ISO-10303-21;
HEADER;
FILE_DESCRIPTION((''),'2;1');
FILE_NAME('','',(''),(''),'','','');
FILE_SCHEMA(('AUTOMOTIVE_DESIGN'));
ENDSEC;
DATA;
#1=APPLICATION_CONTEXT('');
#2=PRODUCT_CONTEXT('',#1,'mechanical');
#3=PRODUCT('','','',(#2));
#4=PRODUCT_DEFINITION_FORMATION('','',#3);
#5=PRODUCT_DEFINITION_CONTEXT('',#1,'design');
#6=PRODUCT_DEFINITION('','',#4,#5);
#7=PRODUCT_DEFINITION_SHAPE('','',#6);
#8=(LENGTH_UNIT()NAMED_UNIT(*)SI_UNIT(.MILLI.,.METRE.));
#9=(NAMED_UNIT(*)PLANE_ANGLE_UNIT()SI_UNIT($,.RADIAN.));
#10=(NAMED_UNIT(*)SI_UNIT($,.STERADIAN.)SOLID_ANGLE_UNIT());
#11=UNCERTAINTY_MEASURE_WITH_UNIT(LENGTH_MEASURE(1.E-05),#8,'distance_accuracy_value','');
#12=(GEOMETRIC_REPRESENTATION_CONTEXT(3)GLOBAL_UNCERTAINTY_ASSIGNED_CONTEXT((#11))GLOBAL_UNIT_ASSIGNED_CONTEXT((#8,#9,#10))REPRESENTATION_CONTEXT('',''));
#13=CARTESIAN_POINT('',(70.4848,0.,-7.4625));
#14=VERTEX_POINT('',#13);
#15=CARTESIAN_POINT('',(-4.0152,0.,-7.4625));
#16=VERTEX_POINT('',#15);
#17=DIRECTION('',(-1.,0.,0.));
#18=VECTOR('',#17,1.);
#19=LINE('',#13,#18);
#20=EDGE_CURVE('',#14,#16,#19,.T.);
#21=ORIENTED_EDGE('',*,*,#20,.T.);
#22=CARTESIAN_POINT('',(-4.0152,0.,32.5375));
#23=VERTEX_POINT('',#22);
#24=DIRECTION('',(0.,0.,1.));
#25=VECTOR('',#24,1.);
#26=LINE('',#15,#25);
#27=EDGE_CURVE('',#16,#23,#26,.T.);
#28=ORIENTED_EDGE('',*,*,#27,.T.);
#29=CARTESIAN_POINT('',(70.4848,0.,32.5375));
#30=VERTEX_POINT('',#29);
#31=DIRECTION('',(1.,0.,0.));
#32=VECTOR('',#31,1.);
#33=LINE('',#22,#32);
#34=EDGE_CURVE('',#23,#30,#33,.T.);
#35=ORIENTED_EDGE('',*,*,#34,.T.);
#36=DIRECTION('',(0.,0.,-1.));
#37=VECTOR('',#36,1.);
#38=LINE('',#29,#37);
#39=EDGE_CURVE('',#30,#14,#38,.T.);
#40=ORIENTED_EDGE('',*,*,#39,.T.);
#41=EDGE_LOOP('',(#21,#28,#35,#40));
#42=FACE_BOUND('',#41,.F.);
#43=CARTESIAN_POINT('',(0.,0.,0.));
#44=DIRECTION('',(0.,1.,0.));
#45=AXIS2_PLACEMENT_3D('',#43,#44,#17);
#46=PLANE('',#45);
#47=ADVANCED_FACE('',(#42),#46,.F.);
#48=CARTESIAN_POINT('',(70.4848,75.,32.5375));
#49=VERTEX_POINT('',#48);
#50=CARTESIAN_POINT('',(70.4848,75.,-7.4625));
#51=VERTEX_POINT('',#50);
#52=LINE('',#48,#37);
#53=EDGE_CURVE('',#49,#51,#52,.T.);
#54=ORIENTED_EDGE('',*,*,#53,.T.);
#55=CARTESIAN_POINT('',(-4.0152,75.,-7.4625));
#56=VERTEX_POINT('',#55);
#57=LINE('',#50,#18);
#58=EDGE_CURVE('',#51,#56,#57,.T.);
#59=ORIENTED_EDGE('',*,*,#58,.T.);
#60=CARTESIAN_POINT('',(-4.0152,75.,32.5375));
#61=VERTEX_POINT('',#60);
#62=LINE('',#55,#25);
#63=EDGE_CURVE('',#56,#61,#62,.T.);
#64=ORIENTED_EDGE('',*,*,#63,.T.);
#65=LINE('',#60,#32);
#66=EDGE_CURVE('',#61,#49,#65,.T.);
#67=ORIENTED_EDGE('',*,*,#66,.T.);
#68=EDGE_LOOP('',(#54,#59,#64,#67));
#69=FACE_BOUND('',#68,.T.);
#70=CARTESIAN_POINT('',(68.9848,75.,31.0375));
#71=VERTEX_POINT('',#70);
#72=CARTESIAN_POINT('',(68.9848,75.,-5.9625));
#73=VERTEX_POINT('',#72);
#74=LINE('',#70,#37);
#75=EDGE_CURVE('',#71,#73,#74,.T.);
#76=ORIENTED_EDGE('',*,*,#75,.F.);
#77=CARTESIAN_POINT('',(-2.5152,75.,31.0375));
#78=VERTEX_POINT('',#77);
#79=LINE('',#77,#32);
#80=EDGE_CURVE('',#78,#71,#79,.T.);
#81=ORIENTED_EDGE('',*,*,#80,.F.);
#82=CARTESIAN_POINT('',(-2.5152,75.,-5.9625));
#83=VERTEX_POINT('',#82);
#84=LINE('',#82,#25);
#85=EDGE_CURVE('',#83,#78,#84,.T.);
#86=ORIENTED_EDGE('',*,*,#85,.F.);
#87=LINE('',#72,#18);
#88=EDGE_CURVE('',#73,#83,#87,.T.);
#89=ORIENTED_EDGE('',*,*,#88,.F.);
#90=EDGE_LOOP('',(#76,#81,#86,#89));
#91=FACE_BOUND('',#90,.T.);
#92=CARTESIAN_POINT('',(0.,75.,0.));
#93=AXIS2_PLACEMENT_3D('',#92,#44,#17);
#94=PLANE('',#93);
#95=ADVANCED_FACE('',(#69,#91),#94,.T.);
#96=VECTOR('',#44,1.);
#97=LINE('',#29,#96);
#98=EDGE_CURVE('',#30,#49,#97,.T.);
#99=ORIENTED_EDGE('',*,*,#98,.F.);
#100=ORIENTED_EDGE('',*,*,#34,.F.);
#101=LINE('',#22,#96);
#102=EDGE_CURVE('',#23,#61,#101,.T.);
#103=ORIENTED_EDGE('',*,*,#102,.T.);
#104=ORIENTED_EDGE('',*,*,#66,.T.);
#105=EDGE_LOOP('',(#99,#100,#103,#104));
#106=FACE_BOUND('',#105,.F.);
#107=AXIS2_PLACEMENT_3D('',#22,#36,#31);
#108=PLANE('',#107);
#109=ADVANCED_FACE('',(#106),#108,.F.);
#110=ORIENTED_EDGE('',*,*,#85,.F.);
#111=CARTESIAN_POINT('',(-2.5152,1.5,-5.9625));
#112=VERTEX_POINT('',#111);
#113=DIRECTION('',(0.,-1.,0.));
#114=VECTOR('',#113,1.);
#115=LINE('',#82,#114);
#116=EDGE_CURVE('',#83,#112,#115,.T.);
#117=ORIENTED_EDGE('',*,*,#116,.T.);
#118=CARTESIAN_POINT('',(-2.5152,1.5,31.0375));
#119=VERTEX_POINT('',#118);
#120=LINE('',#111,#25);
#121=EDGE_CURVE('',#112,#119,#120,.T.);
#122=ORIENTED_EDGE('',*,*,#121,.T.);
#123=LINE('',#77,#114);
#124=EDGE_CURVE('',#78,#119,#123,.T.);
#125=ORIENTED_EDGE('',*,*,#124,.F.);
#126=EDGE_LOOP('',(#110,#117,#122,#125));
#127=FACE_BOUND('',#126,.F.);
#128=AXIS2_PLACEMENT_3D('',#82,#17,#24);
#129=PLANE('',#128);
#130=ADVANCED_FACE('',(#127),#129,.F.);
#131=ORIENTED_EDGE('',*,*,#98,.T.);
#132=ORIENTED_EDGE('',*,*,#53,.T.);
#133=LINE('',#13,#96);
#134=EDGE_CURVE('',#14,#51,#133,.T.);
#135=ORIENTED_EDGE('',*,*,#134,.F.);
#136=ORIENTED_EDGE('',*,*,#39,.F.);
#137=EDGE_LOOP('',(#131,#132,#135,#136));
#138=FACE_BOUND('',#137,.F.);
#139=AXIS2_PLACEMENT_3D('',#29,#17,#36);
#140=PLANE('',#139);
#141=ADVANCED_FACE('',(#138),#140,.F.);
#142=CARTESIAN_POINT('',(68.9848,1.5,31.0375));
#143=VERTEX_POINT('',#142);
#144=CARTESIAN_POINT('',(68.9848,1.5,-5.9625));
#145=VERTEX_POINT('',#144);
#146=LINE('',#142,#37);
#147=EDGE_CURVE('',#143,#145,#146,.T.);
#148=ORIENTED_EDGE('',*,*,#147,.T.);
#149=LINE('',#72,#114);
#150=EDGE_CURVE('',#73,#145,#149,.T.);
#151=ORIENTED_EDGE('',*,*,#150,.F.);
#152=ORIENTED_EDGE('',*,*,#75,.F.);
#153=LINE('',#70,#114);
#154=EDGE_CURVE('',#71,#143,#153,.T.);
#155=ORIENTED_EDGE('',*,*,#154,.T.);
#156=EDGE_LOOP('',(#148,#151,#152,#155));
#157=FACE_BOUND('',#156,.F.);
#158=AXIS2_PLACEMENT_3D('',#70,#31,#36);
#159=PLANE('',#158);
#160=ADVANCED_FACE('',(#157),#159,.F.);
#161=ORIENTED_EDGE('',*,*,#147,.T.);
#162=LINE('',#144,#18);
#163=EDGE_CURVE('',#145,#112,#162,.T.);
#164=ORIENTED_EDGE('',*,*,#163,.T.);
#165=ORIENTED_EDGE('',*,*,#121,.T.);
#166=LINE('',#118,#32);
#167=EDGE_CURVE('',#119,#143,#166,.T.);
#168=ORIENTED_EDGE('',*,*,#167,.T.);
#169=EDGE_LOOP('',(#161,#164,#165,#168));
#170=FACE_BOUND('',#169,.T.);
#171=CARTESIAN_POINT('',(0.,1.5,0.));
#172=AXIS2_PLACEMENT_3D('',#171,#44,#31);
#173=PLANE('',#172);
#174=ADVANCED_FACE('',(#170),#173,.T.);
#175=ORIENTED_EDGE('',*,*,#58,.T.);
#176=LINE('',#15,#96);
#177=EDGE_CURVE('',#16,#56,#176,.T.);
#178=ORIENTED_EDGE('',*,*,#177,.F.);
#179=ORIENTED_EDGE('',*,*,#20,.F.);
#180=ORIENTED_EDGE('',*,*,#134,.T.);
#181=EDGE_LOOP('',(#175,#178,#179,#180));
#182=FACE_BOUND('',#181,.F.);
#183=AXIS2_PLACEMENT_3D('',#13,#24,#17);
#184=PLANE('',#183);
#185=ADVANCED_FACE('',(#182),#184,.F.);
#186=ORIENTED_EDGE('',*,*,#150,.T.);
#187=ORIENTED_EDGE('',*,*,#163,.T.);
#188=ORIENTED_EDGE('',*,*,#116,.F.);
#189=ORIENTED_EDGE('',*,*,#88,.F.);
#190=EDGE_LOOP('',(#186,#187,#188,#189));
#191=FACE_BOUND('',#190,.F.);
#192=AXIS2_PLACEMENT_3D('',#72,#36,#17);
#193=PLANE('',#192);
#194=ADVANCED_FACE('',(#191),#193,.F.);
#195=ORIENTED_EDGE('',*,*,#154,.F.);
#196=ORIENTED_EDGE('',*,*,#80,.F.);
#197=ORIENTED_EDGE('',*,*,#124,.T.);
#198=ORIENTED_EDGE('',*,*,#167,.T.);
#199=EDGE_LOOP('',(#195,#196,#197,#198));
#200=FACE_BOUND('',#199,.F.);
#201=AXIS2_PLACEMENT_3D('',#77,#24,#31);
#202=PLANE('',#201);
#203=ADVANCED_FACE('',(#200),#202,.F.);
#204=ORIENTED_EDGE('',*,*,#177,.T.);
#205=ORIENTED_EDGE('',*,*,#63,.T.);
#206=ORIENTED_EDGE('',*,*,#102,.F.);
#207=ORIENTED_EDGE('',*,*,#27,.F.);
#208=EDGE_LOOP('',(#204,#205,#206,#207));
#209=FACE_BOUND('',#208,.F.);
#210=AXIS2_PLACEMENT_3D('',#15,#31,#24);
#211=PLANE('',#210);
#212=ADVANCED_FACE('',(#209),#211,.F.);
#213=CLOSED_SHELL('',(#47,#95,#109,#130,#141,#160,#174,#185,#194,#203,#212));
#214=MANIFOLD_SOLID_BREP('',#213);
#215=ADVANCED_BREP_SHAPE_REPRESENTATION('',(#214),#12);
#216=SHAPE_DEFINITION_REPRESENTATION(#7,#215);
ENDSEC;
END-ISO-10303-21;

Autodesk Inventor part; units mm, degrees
ref_plane "YZ Plane" through (0, 0, 0) normal (1, 0, 0) x (0, 1, 0)
ref_plane "XZ Plane" through (0, 0, 0) normal (0, 1, 0) x (-1, 0, 0)
ref_plane "XY Plane" through (0, 0, 0) normal (0, 0, 1) x (1, 0, 0)
sketch "Sketch1" plane through (0, 0, 0) normal (0, 1, 0) x (-1, 0, 0)
  line L0 (4.0152, 32.5375) -> (-70.4848, 32.5375)
  line L1 (-70.4848, 32.5375) -> (-70.4848, -7.4625)
  line L2 (-70.4848, -7.4625) -> (4.0152, -7.4625)
  line L3 (4.0152, -7.4625) -> (4.0152, 32.5375)
  point P0 (0, 0)
  dimension "d0" = 74.5
  dimension "d1" = 40
extrude "Extrusion1" add sketch "Sketch1" along normal blind 75
sketch "Sketch2" plane through (0, 75, 0) normal (0, 1, 0) x (1, 0, 0)
  line L0 (-2.5152, -31.0375) -> (68.9848, -31.0375)
  line L1 (68.9848, -31.0375) -> (68.9848, 5.9625)
  line L2 (68.9848, 5.9625) -> (-2.5152, 5.9625)
  line L3 (-2.5152, 5.9625) -> (-2.5152, -31.0375)
  line L4 (-4.0152, 7.4625) -> (-4.0152, -32.5375) projected
  line L5 (70.4848, 7.4625) -> (-4.0152, 7.4625) projected
  line L6 (-4.0152, -32.5375) -> (70.4848, -32.5375) projected
  line L7 (70.4848, -32.5375) -> (70.4848, 7.4625) projected
  point P0 (0, 0)
  dimension "d4" = 1.5
  dimension "d5" = 1.5
  dimension "d6" = 1.5
  dimension "d7" = 1.5
extrude "Extrusion2" cut sketch "Sketch2" against normal blind 73.5 contours L3 L2 L1 L0
equation "\"d5\" = d4"
equation "\"d6\" = d4"
equation "\"d7\" = d4"
properties part number "_3DPrint"
